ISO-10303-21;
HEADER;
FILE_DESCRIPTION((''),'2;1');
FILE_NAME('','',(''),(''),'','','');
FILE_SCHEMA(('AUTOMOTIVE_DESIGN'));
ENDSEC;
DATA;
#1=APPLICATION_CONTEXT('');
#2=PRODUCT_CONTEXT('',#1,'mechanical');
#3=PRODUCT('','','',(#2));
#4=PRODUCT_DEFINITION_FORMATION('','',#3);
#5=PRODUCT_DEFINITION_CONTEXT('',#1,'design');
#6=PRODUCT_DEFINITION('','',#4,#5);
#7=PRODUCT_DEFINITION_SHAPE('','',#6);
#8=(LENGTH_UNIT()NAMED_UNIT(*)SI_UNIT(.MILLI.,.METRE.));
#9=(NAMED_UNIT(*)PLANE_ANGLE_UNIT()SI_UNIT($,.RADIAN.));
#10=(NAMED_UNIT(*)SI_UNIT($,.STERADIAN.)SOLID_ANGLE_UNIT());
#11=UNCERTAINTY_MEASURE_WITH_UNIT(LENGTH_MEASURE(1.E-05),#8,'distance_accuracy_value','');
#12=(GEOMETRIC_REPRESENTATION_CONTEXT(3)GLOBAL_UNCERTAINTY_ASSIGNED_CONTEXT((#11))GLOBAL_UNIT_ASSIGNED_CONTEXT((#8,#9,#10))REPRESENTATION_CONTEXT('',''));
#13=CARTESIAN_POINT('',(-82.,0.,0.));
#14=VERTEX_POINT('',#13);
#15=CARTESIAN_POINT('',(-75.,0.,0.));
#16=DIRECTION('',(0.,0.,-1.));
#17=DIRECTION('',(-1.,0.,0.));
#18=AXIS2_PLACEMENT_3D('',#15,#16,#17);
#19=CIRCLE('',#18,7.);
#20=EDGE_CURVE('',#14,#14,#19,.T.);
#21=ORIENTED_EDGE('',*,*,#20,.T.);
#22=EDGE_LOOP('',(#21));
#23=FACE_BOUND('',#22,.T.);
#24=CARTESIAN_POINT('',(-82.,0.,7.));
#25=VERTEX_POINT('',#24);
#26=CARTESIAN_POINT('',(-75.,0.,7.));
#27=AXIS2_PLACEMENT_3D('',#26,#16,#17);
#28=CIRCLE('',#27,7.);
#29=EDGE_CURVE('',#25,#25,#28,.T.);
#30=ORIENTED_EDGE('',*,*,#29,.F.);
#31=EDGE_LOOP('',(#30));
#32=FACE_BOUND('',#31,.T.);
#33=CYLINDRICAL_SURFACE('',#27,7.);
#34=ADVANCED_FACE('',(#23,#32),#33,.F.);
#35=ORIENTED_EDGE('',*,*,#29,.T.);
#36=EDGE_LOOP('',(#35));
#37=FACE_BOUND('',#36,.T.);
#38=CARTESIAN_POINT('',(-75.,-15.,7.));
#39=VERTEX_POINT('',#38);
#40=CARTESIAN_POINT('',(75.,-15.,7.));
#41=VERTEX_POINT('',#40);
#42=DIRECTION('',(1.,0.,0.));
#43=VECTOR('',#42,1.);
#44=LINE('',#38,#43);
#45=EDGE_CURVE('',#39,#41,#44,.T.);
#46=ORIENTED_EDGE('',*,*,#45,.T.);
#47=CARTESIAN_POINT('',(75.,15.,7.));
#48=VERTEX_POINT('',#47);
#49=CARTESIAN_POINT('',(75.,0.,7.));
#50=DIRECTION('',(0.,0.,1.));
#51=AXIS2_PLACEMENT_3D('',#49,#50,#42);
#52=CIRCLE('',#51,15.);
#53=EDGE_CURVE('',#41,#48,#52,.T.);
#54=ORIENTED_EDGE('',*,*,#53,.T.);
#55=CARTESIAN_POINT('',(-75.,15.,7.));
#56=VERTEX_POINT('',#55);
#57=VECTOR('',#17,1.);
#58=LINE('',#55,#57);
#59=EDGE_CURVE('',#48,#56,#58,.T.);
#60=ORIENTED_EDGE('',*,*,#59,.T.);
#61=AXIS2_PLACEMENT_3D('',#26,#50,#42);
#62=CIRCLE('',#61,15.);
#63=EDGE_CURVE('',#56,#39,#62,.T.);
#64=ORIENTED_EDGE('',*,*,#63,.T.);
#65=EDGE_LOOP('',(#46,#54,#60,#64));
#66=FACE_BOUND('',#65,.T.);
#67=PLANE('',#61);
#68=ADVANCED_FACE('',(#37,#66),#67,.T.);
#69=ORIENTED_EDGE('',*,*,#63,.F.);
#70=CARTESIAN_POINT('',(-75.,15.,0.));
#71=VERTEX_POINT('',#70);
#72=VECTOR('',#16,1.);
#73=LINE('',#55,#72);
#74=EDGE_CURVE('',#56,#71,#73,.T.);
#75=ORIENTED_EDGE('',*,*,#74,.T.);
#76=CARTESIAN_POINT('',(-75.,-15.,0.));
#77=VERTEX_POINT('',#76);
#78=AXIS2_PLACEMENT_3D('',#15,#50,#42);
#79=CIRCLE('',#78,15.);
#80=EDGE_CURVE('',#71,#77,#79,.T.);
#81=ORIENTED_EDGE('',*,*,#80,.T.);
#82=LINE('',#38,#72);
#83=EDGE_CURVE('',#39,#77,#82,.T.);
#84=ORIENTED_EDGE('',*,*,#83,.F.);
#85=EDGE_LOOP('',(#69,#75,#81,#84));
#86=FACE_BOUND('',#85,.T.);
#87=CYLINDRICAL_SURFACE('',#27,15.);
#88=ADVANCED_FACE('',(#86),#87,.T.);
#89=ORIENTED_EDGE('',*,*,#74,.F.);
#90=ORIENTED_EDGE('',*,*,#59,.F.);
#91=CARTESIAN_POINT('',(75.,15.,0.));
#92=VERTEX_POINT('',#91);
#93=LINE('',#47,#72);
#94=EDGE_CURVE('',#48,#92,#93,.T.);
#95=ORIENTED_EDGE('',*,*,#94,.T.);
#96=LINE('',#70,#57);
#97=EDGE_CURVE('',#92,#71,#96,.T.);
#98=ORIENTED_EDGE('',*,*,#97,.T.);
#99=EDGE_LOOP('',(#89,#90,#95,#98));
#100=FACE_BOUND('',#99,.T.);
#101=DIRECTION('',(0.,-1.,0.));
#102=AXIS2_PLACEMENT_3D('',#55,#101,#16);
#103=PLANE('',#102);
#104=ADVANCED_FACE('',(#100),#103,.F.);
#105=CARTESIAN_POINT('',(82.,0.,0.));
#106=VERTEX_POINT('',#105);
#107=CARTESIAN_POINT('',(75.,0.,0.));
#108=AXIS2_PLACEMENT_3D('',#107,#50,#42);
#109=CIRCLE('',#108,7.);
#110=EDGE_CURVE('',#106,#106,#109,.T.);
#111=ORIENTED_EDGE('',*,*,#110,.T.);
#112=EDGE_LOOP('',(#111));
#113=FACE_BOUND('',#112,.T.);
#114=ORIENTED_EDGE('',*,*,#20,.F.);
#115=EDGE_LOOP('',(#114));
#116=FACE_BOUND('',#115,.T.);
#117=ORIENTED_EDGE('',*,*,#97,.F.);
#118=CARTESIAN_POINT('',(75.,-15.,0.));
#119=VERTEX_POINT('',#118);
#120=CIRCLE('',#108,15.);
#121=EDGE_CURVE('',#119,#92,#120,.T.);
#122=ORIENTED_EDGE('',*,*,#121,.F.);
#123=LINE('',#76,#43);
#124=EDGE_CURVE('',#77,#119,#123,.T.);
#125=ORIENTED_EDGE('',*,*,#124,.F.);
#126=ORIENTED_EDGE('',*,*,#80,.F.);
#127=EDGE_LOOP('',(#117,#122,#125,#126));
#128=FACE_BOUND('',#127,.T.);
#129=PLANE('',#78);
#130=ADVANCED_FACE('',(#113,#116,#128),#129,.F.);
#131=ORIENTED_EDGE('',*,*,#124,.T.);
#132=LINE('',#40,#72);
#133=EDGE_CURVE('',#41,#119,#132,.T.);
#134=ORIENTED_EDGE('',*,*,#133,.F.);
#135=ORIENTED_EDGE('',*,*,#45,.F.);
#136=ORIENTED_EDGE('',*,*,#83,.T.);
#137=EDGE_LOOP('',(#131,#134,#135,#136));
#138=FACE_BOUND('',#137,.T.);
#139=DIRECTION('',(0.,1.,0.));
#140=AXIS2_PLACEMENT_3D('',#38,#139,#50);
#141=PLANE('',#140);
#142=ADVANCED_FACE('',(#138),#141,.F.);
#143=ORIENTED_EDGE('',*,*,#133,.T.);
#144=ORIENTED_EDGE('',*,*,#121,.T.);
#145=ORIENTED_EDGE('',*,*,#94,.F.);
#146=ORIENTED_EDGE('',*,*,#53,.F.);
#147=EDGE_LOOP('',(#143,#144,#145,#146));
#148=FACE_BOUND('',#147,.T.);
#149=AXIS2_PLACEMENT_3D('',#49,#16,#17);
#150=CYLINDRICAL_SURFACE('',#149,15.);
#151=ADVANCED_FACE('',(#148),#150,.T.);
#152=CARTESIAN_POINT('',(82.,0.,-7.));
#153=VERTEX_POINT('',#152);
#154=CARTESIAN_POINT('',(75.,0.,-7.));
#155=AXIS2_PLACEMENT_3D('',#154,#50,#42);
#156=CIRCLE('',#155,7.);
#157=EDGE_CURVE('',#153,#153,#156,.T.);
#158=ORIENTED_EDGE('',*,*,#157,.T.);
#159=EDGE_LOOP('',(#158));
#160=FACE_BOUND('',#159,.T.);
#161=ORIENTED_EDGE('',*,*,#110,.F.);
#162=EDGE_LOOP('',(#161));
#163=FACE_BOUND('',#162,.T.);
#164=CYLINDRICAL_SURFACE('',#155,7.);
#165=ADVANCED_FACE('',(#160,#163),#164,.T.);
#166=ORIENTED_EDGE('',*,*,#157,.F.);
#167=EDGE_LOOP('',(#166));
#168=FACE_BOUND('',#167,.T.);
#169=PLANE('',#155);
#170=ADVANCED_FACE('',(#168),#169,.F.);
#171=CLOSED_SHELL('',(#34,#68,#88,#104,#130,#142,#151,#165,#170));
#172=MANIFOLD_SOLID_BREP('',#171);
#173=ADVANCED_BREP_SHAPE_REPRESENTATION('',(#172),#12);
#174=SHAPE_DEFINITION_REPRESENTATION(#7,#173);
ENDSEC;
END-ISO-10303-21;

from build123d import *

# Parameters (mm, degrees)
BOSS_EXTRUDE1_DEPTH = 7
SKETCH2_R           = 7
BOSS_EXTRUDE3_DEPTH = 7
SKETCH3_R           = 7
CUT_EXTRUDE1_DEPTH  = 7


with BuildPart() as part:
    # Sketch1 → Boss-Extrude1 (new body)
    with BuildSketch(Plane.XY):
        with BuildLine():
            Line((-75, 15), (75, 15))
            ThreePointArc((75, 15), (90, 0), (75, -15))
            Line((75, -15), (-75, -15))
            ThreePointArc((-75, -15), (-90, 0), (-75, 15))
        make_face()
    extrude(amount=BOSS_EXTRUDE1_DEPTH)

    # Sketch2 → Boss-Extrude3 (add)
    with BuildSketch(Plane.XY):
        with Locations((75, 0)):
            Circle(SKETCH2_R)
    extrude(amount=-BOSS_EXTRUDE3_DEPTH)

    # Sketch3 → Cut-Extrude1 (cut)
    with BuildSketch(Plane(origin=(0, 0, 0), x_dir=(-1, 0, 0), z_dir=(0, 0, -1))):
        with Locations((75, 0)):
            Circle(SKETCH3_R)
    extrude(amount=-CUT_EXTRUDE1_DEPTH, mode=Mode.SUBTRACT)


solid = part.part
